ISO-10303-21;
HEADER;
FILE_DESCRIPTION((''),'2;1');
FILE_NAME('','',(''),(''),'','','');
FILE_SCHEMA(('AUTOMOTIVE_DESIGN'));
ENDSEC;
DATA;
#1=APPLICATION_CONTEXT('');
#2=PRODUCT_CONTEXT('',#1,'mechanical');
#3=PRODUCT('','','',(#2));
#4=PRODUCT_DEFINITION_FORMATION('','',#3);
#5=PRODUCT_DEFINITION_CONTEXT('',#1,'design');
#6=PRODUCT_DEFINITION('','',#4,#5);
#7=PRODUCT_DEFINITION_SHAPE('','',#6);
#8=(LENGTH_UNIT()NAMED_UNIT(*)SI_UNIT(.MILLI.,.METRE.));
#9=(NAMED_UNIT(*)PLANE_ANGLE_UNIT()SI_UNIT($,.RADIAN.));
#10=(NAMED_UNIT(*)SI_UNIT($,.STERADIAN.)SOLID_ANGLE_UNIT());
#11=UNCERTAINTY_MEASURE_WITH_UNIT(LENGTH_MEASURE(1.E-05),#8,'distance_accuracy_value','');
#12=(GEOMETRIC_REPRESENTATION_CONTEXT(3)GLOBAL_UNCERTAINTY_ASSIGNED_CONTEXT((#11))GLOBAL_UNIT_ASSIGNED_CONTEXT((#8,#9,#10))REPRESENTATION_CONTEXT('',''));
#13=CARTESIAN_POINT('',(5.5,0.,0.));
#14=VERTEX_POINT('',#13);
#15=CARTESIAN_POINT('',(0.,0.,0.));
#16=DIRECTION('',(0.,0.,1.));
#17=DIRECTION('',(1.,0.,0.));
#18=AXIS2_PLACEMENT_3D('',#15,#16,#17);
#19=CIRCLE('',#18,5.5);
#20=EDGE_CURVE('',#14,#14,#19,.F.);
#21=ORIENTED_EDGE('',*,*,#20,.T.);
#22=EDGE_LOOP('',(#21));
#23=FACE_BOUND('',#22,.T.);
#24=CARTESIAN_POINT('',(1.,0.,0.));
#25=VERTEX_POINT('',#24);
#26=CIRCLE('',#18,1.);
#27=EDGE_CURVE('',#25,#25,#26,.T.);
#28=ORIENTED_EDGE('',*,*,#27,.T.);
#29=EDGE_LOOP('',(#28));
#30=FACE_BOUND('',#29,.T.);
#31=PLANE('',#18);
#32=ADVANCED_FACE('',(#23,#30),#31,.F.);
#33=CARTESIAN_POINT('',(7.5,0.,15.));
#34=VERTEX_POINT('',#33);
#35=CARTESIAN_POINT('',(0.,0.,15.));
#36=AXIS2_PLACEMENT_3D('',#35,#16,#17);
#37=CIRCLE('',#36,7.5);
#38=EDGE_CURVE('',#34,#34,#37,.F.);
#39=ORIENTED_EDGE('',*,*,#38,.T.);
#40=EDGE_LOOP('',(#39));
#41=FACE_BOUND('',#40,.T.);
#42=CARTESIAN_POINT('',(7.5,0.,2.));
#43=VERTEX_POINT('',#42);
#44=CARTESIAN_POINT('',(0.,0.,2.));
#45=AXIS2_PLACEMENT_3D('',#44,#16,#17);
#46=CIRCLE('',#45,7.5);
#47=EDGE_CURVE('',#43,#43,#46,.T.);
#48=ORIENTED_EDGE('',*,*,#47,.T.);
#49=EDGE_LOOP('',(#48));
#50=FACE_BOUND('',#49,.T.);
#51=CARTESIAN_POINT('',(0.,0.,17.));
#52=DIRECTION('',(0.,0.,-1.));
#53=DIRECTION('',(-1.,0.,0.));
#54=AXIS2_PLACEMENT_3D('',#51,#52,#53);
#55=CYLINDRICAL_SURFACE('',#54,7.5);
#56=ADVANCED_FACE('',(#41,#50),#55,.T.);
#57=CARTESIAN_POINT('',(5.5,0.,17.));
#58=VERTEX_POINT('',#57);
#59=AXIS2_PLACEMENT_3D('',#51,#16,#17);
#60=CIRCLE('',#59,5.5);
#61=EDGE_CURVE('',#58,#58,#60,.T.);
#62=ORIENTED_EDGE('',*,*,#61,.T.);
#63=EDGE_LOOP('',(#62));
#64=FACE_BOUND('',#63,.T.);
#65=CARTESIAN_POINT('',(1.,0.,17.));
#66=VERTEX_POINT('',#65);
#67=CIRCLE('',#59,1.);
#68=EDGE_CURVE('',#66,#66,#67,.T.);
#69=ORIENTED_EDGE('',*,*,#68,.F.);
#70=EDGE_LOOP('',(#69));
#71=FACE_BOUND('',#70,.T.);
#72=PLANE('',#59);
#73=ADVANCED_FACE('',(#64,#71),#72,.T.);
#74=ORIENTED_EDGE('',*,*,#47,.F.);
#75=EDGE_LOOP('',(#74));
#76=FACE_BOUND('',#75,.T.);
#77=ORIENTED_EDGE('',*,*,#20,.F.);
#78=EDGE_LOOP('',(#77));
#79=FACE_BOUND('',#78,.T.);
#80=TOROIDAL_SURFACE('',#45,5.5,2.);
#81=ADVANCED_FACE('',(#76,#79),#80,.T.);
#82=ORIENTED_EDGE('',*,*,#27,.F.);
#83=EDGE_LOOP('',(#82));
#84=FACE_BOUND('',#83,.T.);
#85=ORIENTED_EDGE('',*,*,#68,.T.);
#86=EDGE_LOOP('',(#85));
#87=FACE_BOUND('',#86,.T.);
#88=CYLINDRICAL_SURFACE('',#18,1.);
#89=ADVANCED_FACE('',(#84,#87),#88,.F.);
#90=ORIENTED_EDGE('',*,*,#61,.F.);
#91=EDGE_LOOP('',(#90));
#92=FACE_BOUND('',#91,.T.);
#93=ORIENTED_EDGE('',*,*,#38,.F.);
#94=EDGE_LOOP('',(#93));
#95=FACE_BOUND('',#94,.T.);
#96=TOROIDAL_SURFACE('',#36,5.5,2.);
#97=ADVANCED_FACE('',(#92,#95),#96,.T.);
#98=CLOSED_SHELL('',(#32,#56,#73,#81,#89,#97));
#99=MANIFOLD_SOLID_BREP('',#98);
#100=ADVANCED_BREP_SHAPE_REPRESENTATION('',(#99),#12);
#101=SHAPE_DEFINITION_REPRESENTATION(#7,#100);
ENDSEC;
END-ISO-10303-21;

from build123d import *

# Parameters (mm, degrees)
SKETCH3_R           = 7.5
BOSS_EXTRUDE2_DEPTH = 17
SKETCH5_R           = 1
CUT_EXTRUDE1_DEPTH  = 17
FILLET5_R           = 2
FILLET6_R           = 2


with BuildPart() as part:
    # Sketch3 → Boss-Extrude2 (new body)
    with BuildSketch(Plane.XY):
        Circle(SKETCH3_R)
    extrude(amount=BOSS_EXTRUDE2_DEPTH)

    # Sketch5 → Cut-Extrude1 (cut)
    with BuildSketch(Plane.XY.offset(17)):
        Circle(SKETCH5_R)
    extrude(amount=-CUT_EXTRUDE1_DEPTH, mode=Mode.SUBTRACT)

    # Fillet5
    fillet5_edges = [part.edges().sort_by_distance(p)[0] for p in [
        (-7.5, 0, 17),
    ]]
    fillet(fillet5_edges, radius=FILLET5_R)

    # Fillet6
    fillet6_edges = [part.edges().sort_by_distance(p)[0] for p in [
        (-7.5, 0, 0),
    ]]
    fillet(fillet6_edges, radius=FILLET6_R)


solid = part.part
